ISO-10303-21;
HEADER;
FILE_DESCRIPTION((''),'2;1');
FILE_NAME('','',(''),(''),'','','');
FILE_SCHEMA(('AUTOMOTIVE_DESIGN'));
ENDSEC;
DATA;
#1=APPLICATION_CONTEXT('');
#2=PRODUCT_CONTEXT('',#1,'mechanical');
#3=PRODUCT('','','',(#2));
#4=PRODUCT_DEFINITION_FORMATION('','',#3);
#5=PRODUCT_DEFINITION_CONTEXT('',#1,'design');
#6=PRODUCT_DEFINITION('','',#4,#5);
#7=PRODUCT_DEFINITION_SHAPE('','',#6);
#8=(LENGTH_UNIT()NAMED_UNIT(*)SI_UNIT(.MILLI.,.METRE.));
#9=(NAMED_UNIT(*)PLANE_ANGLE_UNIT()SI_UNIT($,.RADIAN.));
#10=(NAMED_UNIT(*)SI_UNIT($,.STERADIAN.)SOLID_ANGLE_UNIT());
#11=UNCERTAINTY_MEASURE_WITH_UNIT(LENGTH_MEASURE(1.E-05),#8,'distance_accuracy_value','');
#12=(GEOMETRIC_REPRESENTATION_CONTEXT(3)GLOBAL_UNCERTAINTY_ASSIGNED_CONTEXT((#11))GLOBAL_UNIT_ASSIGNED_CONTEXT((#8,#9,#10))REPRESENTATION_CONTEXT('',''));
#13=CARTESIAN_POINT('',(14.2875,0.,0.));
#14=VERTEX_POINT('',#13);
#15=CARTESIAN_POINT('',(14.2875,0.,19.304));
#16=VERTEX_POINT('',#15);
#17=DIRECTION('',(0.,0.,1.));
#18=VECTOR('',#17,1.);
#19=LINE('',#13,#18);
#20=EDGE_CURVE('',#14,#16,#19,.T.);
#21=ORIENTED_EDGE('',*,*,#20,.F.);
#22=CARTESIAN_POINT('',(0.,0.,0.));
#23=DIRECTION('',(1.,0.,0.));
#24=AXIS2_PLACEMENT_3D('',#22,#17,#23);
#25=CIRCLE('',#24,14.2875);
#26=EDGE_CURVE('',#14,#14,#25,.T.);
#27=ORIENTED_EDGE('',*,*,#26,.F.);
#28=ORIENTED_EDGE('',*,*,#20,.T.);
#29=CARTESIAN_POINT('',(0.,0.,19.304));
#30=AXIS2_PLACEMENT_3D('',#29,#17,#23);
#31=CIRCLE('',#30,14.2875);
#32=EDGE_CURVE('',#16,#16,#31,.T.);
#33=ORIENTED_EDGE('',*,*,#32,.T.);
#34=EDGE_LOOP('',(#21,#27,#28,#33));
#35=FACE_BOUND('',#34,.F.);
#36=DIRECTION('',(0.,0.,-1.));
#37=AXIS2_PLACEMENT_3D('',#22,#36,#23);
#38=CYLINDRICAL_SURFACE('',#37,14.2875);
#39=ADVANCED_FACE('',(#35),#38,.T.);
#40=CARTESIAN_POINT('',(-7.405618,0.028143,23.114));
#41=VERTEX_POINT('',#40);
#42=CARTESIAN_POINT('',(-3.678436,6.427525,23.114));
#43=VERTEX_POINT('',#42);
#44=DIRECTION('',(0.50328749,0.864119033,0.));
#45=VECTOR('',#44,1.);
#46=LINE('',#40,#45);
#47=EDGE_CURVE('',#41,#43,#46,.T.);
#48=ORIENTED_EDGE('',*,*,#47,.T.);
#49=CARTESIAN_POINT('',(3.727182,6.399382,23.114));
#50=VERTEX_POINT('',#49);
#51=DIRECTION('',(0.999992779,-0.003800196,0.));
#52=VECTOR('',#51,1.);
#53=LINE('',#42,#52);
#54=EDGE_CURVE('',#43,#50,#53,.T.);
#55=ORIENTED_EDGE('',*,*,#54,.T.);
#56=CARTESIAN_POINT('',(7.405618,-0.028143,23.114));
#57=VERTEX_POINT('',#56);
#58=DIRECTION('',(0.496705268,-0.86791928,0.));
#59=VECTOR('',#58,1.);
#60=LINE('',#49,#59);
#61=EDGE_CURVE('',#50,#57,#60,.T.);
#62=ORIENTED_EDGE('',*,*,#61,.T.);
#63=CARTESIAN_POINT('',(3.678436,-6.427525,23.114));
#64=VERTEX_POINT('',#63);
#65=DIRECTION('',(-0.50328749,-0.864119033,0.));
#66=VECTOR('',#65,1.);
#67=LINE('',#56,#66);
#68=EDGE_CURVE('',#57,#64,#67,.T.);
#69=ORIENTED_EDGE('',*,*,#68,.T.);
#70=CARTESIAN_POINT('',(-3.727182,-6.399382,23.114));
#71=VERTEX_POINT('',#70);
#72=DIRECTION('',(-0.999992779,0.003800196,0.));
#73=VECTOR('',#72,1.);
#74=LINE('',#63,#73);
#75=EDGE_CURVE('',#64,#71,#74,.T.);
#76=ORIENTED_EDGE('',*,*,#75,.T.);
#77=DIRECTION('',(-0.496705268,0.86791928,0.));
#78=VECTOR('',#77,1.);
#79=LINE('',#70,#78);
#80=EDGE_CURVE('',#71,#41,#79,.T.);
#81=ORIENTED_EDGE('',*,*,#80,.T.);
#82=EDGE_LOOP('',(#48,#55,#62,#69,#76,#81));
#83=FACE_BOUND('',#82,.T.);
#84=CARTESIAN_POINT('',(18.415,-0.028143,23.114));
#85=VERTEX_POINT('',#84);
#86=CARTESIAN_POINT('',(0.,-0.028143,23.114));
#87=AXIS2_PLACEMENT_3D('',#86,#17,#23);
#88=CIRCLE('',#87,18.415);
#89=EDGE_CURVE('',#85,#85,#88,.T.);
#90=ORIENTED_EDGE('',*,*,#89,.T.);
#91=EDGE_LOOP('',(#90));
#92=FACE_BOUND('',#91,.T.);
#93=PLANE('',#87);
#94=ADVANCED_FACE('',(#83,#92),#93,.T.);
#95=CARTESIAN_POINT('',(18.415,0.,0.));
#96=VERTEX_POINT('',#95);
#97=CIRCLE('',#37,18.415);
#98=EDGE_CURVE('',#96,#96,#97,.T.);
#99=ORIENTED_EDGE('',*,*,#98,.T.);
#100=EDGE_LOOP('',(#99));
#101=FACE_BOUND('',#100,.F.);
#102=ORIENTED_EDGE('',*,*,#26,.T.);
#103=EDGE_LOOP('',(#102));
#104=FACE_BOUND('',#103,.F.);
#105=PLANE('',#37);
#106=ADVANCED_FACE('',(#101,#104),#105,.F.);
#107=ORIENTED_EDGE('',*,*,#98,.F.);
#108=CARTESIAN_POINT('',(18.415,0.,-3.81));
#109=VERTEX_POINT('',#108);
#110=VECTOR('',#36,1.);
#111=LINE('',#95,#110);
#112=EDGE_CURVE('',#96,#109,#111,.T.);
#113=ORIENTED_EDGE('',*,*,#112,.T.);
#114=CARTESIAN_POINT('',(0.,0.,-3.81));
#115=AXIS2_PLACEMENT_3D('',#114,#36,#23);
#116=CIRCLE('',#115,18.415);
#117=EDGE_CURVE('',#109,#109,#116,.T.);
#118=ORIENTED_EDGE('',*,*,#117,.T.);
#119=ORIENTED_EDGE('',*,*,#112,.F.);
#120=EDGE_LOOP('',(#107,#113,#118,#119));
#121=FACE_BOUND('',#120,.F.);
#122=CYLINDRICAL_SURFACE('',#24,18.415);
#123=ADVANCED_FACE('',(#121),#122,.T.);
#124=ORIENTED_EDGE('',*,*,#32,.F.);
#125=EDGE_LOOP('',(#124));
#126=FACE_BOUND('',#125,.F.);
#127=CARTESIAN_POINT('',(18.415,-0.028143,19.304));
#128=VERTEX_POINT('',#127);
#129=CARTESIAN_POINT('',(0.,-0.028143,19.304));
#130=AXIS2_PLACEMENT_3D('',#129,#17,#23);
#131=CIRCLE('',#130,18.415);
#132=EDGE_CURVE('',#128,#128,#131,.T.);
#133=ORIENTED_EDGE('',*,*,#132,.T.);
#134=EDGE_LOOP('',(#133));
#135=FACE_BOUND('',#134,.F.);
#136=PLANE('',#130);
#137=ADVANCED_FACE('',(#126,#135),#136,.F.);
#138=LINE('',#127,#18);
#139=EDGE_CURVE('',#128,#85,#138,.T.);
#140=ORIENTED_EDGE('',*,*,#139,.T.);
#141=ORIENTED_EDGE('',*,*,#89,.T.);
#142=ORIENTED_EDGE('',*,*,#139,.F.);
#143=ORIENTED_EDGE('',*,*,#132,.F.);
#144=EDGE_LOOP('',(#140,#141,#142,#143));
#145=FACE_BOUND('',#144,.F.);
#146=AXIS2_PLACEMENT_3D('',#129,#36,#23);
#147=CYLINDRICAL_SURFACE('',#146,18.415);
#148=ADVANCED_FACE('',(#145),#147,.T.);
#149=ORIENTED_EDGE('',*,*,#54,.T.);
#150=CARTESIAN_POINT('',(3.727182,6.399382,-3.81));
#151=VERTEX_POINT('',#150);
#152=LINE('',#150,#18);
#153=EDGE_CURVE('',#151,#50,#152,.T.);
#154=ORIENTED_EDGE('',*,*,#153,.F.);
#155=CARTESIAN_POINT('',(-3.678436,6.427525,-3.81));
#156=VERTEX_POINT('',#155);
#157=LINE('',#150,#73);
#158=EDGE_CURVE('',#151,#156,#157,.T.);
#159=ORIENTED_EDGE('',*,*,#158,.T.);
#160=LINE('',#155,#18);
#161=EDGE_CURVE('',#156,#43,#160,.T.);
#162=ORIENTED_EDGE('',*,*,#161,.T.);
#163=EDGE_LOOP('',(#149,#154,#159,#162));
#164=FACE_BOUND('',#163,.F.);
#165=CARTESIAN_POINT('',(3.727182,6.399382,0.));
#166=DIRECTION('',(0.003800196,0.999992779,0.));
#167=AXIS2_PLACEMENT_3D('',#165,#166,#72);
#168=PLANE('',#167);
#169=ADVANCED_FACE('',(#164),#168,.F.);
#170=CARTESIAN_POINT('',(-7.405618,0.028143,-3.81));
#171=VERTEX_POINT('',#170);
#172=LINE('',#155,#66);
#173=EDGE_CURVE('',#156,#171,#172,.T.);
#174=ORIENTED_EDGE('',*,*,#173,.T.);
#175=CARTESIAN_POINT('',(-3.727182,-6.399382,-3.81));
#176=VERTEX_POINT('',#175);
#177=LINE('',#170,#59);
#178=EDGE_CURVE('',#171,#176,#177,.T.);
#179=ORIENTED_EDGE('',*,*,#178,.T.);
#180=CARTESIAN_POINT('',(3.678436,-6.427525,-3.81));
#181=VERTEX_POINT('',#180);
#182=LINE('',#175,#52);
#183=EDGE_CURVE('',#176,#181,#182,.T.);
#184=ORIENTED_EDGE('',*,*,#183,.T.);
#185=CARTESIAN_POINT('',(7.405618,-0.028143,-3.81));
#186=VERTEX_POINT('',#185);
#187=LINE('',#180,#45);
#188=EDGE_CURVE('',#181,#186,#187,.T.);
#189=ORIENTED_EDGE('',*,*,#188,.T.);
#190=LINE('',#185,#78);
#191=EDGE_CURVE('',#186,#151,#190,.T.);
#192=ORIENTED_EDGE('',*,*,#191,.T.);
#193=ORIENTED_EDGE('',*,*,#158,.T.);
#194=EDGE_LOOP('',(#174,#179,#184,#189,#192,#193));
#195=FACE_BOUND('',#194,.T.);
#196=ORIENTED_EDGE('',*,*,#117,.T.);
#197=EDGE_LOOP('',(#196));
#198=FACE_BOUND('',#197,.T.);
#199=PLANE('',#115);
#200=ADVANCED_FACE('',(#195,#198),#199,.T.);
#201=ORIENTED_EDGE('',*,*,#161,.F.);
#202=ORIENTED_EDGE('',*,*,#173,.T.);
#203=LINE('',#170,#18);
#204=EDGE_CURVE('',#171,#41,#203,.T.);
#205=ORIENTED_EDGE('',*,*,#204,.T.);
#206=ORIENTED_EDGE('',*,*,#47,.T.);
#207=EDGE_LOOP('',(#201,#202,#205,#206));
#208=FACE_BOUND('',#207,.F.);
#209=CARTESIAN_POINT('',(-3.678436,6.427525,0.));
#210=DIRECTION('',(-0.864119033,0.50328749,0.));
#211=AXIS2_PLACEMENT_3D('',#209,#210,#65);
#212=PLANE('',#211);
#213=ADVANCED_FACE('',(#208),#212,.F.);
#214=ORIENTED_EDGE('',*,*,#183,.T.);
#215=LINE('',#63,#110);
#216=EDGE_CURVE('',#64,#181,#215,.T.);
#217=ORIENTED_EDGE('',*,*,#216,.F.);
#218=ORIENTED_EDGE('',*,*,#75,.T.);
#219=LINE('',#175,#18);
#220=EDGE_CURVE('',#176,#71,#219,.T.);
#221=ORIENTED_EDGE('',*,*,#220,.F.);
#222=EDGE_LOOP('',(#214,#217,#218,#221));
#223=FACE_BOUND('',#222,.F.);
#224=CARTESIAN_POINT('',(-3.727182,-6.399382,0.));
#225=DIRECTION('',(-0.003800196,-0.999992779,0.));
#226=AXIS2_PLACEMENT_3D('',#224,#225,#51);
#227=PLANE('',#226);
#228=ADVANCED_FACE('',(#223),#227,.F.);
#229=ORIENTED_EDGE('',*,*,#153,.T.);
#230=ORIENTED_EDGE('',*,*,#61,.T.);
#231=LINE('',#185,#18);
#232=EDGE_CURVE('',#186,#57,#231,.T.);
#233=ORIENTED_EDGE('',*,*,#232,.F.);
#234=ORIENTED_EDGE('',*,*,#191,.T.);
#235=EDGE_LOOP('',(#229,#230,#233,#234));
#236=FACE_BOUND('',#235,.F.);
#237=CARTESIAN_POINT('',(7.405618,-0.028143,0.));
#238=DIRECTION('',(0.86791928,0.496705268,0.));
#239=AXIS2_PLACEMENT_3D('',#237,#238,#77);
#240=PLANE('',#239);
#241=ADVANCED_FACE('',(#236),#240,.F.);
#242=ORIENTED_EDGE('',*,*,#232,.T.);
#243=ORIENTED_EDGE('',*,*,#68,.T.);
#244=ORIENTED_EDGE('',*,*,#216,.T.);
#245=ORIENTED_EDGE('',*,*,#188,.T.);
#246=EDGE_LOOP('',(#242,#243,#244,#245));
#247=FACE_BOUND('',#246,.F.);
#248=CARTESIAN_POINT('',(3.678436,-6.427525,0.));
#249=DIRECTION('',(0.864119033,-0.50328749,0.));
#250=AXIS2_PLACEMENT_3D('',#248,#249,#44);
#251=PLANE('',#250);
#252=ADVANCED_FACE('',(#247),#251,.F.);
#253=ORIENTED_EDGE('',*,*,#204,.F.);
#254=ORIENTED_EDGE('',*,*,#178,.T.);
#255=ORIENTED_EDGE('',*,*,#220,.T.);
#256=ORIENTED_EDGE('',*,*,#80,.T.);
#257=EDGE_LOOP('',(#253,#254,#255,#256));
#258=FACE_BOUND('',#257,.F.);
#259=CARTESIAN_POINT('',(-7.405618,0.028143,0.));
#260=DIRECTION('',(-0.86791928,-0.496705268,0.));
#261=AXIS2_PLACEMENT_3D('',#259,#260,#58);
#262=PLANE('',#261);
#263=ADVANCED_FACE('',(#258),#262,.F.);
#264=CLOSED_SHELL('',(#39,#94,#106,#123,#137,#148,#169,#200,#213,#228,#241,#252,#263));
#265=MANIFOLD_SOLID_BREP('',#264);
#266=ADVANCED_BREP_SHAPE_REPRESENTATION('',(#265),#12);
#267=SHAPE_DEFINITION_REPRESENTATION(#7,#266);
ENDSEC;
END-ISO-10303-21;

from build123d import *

# Parameters (mm, degrees)
F0_R     = 14.2875
F1_DEPTH = 19.304
F2_R     = 18.415
F3_DEPTH = 3.81
F4_R     = 18.415
F5_DEPTH = 3.81


with BuildPart() as f1:
    # F0 (on Top) → F1 (new body)
    with BuildSketch(Plane.XY):
        Circle(F0_R)
        Polygon((-3.678436, 6.427525), (3.727182, 6.399382), (7.405618, -0.028143), (3.678436, -6.427525), (-3.727182, -6.399382), (-7.405618, 0.028143), align=None, mode=Mode.SUBTRACT)
    extrude(amount=F1_DEPTH)

    # F2 (on face) → F3 (join)
    with BuildSketch(Plane.XY.offset(19.304)):
        with Locations((0, -0.028143)):
            Circle(F2_R)
        Polygon((-3.678436, 6.427525), (3.727182, 6.399382), (7.405618, -0.028143), (3.678436, -6.427525), (-3.727182, -6.399382), (-7.405618, 0.028143), align=None, mode=Mode.SUBTRACT)
    extrude(amount=F3_DEPTH)

    # F4 (on face) → F5 (join)
    with BuildSketch(Plane(origin=(0, 0, 0), x_dir=(1, 0, 0), z_dir=(0, 0, -1))):
        Circle(F4_R)
        Polygon((3.678436, 6.427525), (7.405618, 0.028143), (3.727182, -6.399382), (-3.678436, -6.427525), (-7.405618, -0.028143), (-3.727182, 6.399382), align=None, mode=Mode.SUBTRACT)
    extrude(amount=F5_DEPTH)


solid = f1.part
